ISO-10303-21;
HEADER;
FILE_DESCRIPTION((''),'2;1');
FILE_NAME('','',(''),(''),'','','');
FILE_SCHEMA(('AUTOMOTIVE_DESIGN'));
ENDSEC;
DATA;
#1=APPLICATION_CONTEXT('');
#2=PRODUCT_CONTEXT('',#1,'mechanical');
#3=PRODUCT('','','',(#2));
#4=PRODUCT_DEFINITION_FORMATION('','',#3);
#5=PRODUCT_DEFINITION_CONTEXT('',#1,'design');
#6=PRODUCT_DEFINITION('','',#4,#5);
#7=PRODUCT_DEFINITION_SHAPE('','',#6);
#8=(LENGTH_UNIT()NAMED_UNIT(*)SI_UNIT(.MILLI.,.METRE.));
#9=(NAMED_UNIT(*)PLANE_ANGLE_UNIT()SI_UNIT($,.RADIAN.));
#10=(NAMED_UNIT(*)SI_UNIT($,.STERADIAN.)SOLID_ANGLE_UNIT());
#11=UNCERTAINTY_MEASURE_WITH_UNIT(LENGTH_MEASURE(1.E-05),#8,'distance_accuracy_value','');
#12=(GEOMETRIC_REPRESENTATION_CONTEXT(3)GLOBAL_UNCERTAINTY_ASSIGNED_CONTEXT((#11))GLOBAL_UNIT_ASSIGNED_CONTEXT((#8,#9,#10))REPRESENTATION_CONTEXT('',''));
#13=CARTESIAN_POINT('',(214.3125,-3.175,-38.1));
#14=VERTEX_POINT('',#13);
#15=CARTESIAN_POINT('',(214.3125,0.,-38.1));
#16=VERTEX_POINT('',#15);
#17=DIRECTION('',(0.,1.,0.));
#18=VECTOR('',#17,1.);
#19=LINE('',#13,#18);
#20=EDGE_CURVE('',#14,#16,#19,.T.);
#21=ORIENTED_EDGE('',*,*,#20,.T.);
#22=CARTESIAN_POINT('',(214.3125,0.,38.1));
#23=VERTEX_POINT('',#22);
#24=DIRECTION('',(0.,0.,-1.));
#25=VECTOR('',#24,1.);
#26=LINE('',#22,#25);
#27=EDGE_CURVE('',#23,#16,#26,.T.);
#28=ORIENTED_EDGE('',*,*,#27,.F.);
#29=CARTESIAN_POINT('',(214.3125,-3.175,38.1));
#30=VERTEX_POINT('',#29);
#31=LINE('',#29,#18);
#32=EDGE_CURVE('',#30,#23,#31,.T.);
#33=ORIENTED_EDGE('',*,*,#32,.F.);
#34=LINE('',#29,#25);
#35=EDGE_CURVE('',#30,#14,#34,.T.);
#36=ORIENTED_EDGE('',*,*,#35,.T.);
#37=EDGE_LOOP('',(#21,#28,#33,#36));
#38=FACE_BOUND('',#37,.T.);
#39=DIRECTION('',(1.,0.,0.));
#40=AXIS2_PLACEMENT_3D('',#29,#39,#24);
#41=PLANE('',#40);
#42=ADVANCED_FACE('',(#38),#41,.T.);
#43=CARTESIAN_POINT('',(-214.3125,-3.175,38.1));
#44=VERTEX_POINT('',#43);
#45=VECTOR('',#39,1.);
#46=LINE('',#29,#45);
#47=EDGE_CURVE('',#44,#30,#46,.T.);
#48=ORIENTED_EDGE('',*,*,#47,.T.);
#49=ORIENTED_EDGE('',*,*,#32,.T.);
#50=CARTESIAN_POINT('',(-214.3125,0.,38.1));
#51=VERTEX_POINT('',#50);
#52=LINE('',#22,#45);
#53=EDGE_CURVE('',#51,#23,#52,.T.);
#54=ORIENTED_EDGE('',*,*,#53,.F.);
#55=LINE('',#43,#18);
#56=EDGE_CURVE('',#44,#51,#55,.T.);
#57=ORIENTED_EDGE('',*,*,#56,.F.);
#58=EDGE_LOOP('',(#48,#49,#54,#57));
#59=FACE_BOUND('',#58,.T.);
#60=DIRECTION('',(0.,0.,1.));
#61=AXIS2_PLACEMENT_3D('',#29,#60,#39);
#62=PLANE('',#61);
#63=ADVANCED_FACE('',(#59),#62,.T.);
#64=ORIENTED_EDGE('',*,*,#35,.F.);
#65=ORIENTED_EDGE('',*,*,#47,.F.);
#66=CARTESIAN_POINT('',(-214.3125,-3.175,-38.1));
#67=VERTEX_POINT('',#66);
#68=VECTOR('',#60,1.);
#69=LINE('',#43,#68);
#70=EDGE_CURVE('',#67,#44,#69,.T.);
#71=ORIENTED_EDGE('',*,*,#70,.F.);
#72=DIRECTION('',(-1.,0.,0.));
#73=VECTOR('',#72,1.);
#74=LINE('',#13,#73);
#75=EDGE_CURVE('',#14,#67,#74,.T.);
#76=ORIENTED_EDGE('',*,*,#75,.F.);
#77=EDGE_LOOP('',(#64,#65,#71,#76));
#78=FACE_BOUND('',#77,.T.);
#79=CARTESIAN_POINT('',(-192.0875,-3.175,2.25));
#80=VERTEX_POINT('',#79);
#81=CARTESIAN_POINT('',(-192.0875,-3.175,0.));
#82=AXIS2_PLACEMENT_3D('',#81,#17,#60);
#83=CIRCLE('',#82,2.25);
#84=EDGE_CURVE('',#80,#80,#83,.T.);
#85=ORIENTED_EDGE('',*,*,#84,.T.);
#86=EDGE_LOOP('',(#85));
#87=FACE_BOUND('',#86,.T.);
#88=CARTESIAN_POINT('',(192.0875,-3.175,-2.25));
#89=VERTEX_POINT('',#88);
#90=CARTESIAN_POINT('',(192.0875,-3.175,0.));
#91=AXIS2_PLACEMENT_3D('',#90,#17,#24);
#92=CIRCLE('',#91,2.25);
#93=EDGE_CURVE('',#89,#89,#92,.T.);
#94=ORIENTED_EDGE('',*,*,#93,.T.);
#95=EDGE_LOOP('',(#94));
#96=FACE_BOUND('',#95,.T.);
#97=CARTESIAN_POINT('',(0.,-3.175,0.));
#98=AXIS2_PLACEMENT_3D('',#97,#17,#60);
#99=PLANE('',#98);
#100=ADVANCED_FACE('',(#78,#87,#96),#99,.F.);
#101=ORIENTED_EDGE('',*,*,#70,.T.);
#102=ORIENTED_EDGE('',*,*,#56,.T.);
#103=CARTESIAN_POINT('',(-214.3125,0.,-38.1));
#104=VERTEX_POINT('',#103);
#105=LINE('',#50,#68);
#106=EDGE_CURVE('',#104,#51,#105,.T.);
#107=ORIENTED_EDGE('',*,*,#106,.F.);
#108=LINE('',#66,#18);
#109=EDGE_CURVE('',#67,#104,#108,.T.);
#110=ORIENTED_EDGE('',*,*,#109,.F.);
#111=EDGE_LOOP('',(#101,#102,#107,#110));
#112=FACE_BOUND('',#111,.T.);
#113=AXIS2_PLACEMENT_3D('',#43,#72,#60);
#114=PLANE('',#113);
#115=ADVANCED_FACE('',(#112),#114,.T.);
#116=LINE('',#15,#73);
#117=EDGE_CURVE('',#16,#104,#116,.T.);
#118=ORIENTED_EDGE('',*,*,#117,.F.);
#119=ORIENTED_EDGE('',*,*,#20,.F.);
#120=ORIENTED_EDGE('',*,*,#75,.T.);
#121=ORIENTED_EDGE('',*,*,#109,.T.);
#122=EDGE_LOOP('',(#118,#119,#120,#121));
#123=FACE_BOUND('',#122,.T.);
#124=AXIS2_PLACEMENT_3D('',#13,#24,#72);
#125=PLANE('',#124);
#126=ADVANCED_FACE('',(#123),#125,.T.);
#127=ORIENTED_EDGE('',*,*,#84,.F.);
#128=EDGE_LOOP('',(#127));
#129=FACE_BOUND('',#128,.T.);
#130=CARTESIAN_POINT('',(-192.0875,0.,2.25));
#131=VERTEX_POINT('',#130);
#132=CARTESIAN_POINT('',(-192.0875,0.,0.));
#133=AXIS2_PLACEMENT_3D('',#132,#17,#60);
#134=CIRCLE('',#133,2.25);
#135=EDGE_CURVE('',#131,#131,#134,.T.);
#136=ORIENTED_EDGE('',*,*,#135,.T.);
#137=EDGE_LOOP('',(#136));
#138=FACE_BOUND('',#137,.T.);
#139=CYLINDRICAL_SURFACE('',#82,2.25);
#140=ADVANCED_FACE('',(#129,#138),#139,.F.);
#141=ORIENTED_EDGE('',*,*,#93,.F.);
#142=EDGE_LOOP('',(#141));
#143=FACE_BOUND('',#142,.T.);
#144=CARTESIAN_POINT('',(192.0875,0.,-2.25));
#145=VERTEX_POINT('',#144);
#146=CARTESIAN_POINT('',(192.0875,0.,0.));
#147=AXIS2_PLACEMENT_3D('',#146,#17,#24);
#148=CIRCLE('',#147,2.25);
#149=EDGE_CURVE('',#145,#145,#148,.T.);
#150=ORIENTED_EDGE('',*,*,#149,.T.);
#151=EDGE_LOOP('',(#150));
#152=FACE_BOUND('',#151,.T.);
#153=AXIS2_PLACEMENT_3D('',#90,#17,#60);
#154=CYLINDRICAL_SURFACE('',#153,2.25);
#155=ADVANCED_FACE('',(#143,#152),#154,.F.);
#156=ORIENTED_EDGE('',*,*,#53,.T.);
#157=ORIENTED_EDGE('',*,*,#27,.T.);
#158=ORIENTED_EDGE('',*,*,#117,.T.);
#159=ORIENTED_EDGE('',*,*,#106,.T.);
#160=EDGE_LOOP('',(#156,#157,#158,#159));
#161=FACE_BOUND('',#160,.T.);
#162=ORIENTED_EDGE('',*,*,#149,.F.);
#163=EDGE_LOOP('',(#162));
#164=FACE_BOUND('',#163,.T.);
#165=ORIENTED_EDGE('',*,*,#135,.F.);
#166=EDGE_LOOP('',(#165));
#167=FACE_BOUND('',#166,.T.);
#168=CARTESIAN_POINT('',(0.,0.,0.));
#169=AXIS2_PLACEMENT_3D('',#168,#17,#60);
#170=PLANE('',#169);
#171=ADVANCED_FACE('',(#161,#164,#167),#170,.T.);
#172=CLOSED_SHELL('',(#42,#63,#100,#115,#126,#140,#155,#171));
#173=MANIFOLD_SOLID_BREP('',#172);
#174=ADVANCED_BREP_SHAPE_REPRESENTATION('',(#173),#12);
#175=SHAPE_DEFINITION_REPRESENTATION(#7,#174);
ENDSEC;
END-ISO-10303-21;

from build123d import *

# Parameters (mm, degrees)
SKETCH1_W           = 428.625
SKETCH1_H           = 76.2
SKETCH1_R           = 2.25
BOSS_EXTRUDE1_DEPTH = 3.175


with BuildPart() as part:
    # Sketch1 → Boss-Extrude1 (new body)
    with BuildSketch(Plane(origin=(0, 0, 0), x_dir=(1, 0, 0), z_dir=(0, 1, 0))):
        Rectangle(SKETCH1_W, SKETCH1_H)
        with Locations((-192.0875, 0)):
            Circle(SKETCH1_R, mode=Mode.SUBTRACT)
        with Locations((192.0875, 0)):
            Circle(SKETCH1_R, mode=Mode.SUBTRACT)
    extrude(amount=-BOSS_EXTRUDE1_DEPTH)


solid = part.part
